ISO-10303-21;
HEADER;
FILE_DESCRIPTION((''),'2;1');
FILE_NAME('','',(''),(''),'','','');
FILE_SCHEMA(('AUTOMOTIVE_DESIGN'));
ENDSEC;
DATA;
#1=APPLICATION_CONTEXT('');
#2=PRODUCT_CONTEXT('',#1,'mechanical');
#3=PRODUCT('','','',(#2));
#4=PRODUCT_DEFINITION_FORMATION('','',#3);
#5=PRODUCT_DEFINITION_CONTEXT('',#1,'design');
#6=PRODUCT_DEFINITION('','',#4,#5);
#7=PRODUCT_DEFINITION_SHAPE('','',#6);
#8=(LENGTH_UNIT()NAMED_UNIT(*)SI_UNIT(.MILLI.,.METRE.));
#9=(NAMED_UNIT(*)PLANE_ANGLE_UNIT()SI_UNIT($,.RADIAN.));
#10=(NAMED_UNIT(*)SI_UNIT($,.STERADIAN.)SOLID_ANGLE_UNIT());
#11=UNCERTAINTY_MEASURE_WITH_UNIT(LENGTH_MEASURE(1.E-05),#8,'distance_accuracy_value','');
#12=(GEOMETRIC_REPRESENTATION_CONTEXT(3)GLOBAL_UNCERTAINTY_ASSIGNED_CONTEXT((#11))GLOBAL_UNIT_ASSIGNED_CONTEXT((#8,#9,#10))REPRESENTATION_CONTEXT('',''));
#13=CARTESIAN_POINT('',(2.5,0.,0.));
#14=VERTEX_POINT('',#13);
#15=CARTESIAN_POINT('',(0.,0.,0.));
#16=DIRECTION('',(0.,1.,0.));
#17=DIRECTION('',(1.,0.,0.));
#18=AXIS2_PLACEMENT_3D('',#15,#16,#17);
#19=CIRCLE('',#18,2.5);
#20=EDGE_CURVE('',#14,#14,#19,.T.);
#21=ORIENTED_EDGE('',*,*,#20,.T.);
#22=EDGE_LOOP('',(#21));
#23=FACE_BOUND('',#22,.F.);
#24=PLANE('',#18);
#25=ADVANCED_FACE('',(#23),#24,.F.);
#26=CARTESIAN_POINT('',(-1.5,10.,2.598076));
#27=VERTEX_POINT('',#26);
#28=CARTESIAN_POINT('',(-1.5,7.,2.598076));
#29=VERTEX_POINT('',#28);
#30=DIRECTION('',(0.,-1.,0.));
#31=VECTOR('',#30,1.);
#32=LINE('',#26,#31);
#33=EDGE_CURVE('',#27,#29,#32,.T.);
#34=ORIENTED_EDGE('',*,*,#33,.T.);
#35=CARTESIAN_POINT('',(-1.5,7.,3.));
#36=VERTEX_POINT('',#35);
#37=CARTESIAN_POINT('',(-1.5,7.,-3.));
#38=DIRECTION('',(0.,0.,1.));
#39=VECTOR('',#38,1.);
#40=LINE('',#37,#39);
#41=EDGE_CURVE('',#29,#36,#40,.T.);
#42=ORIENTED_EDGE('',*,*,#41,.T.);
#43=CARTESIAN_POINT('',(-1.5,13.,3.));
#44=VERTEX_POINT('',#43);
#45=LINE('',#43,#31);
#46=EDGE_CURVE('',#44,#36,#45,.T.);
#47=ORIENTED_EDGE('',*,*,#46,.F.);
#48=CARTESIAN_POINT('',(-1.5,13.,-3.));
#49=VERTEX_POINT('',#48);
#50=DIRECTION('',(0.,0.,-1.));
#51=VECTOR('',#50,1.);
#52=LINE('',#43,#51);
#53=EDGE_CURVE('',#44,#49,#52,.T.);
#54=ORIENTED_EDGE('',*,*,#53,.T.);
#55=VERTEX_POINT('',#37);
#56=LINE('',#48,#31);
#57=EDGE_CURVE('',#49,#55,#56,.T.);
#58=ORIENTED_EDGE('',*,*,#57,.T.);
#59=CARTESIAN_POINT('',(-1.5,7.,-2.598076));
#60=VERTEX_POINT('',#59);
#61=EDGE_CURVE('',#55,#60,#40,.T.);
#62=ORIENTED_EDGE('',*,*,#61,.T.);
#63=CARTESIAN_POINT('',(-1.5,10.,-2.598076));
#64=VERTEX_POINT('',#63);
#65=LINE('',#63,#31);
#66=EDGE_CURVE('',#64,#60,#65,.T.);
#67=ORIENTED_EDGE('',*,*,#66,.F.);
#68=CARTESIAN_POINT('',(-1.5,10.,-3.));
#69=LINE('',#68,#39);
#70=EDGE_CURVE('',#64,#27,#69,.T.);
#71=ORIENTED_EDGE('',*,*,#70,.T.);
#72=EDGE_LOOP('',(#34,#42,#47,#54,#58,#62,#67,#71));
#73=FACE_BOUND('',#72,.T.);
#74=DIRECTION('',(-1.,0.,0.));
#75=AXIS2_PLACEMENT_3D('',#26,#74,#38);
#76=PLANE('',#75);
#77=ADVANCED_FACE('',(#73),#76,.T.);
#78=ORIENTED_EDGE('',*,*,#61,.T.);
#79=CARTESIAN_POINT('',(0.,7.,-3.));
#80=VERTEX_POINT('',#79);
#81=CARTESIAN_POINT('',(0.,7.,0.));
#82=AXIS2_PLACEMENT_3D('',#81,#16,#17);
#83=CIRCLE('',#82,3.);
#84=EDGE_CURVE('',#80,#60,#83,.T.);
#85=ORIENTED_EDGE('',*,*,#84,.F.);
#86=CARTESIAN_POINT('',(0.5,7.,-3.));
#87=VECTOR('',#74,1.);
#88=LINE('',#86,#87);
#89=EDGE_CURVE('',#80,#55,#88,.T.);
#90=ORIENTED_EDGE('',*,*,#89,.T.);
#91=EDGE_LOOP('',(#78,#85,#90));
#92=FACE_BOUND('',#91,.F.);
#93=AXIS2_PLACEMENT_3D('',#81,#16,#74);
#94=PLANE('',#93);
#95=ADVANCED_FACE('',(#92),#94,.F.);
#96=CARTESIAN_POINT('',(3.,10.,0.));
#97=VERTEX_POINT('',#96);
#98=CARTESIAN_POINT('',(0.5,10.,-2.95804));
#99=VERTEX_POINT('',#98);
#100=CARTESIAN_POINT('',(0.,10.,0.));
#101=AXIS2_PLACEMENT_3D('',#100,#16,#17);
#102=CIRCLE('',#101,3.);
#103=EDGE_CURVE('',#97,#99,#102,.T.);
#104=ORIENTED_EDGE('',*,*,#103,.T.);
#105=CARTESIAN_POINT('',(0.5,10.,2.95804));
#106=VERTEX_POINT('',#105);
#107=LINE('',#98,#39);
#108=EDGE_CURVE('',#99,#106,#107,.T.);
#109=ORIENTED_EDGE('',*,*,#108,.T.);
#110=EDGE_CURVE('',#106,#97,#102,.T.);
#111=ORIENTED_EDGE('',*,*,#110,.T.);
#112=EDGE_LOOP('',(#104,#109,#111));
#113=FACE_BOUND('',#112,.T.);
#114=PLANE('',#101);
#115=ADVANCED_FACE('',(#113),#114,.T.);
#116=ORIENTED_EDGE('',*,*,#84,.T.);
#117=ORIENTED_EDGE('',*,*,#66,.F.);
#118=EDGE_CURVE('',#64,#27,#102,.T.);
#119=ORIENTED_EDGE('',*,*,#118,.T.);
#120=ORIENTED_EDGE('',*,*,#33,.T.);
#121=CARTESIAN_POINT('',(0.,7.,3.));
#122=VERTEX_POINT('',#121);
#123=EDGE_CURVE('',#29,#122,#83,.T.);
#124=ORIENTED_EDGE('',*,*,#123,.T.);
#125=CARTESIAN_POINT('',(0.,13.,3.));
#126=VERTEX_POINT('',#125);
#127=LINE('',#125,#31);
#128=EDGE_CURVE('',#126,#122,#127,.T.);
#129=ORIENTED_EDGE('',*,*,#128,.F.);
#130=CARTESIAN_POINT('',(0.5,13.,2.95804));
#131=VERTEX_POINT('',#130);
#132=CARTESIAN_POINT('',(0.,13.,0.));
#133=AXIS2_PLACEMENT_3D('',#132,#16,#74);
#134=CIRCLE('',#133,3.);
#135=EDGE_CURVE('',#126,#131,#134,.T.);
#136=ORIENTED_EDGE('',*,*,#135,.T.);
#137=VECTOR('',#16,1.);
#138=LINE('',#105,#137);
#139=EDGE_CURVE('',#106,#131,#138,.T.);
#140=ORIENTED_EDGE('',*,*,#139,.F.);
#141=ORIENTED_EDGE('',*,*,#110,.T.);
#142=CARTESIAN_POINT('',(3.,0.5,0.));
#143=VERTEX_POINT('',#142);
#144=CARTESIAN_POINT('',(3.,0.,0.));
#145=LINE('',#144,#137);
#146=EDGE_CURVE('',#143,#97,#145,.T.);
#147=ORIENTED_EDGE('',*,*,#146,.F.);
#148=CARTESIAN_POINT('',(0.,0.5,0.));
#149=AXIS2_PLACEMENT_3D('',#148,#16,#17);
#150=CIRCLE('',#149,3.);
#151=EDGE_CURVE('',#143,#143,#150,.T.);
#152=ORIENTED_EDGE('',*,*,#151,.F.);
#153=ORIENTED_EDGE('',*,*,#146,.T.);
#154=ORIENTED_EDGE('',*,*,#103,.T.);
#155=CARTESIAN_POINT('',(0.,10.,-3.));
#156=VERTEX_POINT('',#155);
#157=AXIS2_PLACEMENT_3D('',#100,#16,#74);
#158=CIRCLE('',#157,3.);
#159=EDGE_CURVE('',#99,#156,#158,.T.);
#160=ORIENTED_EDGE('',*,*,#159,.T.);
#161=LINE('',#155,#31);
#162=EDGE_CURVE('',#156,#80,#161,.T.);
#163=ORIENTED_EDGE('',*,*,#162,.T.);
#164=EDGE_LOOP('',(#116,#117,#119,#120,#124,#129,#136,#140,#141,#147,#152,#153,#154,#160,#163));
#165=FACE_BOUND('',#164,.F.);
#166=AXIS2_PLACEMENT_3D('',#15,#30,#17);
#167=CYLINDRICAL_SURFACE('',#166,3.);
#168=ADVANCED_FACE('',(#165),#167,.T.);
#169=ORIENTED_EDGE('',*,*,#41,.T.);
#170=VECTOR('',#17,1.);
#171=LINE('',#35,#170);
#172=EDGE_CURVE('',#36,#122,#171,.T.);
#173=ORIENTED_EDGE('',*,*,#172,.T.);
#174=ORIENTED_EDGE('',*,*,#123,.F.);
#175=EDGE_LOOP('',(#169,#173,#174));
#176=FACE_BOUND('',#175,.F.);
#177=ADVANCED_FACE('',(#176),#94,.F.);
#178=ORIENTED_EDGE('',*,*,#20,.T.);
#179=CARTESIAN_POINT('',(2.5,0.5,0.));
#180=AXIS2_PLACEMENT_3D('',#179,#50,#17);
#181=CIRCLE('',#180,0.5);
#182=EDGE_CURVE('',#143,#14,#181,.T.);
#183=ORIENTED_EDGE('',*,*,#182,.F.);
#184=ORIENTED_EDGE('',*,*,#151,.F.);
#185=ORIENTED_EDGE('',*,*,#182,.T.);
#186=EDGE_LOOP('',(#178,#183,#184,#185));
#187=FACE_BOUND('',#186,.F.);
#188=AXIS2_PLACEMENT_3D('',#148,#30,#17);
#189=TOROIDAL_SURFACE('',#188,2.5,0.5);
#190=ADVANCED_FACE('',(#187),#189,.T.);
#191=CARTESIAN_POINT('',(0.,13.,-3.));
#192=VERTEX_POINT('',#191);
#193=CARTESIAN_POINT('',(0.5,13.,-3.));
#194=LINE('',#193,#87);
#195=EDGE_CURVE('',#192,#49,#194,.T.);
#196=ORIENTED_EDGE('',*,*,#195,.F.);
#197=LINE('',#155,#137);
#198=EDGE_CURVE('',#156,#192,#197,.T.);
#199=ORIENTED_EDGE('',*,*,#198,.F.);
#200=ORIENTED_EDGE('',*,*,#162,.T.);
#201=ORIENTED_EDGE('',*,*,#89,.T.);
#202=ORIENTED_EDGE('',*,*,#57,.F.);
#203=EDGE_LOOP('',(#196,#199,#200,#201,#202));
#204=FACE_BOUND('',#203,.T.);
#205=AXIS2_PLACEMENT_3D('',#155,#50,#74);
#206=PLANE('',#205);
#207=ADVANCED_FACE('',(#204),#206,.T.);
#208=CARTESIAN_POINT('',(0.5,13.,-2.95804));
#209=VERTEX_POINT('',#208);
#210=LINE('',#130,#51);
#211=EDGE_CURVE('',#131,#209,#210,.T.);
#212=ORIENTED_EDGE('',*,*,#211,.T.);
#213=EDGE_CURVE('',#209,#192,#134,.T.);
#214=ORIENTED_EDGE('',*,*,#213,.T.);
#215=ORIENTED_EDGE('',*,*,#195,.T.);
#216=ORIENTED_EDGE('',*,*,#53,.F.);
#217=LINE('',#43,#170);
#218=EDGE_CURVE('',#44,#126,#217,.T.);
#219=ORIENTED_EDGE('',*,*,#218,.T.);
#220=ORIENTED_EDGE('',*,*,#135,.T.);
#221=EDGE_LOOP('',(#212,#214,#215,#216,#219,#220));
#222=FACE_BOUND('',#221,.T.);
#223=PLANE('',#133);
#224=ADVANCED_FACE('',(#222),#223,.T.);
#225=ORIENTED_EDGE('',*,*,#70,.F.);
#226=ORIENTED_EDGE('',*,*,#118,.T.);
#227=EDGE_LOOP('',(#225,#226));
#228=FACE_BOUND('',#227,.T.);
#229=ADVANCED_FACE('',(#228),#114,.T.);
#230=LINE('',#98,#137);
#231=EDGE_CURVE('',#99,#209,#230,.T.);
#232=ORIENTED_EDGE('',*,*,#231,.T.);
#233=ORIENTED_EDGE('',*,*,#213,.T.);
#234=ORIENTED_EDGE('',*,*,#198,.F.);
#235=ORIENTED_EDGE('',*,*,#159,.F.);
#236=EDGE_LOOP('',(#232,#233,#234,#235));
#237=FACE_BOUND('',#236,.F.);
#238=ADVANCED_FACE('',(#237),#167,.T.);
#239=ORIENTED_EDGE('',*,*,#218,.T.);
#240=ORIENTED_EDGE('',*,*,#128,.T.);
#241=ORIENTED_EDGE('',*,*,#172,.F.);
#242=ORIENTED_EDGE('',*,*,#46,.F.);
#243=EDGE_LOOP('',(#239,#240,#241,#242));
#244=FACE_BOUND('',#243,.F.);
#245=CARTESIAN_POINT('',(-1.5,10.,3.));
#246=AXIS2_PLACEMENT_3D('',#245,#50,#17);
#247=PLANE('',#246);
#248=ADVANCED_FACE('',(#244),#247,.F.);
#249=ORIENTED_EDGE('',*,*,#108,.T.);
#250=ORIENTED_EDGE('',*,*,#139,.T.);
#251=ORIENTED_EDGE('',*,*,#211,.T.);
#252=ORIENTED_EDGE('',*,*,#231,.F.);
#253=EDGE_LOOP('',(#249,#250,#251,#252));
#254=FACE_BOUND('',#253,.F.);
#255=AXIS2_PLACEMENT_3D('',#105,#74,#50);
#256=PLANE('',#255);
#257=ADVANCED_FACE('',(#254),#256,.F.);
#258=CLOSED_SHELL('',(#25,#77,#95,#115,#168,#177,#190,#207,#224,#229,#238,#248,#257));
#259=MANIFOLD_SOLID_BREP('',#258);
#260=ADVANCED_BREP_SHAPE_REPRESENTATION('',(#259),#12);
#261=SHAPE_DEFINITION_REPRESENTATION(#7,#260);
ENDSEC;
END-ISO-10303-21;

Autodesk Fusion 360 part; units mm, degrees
sketch "Sketch1" plane through (0, 0, 0) normal (0, 1, 0) x (1, 0, 0)
  circle A0 centre (0, 0) radius 3
  dimension "d1" = 6
extrude "Extrude1" add sketch "Sketch1" along normal blind 10
sketch "Sketch2" plane through (0, 10, 0) normal (0, 1, 0) x (-1, 0, 0)
  circle A0 centre (0, 0) radius 3
  line L0 (0, 0) -> (-3, 0) construction
  line L1 (-3, 0) -> (-0.5, 0)
  line L2 (-0.5, 0) -> (1.5, 0)
  line L3 (1.5, 0) -> (3, 0)
  line L4 (1.5, 3) -> (-0.5, 3)
  line L5 (-0.5, 3) -> (-0.5, -3)
  line L6 (-0.5, -3) -> (1.5, -3)
  line L7 (1.5, -3) -> (1.5, 3)
  line L8 (1.5, 3) -> (-0.5, -3) construction
  line L9 (-0.5, 3) -> (1.5, -3) construction
  point P0 (0.5, 0)
  dimension "d4" = 2.5
  dimension "d5" = 2
  dimension "d6" = 2
  dimension "d7" = 6
extrude "Extrude2" add sketch "Sketch2" along normal blind 3 contours A0 L2 L5 L7 | A0 L4 L7 | A0 L6 L7 | A0 L2 L5 L7
extrude "Extrude3" add 2 faces at (-1.3827, 10, 2.7899) (-1.3827, 10, -2.7899) along direction (0, -1, 0) blind 3
fillet "Fillet1" radius 0.5 1 edges at (-2.797, 0, 1.0848)
